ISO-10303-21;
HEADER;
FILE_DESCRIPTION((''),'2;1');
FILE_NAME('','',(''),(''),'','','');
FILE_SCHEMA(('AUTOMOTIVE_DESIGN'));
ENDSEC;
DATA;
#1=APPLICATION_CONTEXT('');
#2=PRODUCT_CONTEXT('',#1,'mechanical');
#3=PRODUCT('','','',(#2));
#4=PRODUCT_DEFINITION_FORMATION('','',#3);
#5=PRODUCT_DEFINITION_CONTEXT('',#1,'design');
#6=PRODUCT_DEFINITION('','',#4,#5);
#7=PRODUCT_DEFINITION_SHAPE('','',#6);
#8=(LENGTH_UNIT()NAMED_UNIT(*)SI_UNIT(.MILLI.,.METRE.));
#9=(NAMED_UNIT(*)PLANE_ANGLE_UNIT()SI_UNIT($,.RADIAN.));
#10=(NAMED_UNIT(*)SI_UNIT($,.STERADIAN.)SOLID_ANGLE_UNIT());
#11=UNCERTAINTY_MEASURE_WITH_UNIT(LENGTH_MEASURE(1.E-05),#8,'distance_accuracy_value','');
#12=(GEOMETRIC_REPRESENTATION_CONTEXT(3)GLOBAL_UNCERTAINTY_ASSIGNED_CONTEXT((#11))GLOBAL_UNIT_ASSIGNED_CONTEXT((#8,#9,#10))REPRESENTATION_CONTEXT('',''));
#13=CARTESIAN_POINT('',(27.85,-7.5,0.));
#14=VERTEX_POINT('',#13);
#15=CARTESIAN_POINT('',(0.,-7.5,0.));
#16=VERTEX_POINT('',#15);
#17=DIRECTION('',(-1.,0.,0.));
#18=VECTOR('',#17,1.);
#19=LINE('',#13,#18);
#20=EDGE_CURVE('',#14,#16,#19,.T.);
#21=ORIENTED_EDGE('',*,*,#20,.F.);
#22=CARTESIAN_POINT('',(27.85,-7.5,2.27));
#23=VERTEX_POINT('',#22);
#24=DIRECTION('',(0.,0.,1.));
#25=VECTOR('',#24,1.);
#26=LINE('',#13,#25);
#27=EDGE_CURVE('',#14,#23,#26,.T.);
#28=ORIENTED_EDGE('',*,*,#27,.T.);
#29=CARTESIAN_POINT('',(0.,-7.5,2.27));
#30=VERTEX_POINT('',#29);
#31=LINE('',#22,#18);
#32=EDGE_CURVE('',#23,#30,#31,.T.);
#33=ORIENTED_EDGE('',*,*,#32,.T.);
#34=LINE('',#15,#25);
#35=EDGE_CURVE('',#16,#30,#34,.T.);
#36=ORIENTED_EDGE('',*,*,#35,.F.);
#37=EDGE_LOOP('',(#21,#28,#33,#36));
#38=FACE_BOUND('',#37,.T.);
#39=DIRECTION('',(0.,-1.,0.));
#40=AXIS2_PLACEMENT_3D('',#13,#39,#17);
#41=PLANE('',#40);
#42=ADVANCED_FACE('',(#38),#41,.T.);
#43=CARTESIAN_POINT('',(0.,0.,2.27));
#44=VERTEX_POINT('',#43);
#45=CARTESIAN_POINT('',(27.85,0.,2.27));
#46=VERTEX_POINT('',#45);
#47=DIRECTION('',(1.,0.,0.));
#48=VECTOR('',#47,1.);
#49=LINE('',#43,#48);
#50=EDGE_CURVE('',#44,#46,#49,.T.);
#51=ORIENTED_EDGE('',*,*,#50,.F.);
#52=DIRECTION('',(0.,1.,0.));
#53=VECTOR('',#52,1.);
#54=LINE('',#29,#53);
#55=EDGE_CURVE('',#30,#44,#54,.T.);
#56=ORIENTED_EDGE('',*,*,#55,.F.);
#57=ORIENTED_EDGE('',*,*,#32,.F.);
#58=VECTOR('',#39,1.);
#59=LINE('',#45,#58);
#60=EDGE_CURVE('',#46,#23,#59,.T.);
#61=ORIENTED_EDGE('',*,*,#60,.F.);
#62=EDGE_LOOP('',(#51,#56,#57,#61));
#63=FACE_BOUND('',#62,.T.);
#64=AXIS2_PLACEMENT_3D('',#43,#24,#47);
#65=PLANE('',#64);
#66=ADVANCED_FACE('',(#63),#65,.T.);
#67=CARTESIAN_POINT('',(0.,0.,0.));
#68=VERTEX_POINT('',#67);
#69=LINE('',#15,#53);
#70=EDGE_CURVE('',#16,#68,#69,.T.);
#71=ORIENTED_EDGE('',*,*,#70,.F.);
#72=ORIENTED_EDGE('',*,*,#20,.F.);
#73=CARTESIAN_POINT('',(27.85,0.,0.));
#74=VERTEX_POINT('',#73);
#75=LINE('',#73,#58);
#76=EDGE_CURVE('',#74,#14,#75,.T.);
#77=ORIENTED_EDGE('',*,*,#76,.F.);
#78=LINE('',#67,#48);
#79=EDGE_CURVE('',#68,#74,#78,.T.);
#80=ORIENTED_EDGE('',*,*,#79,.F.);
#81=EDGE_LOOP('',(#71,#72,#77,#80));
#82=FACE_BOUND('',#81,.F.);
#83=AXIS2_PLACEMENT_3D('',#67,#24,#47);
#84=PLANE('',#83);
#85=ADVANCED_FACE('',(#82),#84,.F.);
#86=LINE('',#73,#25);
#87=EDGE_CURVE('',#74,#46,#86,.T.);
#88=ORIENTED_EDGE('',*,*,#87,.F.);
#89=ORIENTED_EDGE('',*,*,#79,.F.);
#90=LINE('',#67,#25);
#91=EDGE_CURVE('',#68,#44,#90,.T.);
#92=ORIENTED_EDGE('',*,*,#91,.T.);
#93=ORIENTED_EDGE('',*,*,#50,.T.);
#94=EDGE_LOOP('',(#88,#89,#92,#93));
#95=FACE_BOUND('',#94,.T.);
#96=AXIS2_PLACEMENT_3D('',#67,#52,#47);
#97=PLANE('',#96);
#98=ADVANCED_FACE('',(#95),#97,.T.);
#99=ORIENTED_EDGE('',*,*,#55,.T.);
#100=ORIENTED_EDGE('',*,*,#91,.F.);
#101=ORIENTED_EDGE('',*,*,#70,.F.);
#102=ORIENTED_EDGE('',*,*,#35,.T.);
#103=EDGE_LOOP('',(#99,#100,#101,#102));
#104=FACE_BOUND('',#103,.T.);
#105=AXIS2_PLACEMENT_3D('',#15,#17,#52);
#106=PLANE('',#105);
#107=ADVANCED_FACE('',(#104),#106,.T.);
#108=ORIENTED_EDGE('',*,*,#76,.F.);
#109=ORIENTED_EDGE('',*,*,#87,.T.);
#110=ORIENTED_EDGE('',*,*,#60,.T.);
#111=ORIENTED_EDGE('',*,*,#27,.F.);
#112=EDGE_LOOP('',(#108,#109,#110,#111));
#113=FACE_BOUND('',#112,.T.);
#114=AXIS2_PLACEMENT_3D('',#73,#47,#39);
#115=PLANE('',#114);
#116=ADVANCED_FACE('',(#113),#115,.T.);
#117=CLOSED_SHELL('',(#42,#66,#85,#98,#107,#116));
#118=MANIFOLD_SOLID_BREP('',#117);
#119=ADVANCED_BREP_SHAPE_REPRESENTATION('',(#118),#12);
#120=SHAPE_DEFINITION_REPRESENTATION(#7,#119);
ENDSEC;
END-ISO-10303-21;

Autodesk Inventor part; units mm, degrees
ref_plane "YZ Plane" through (0, 0, 0) normal (1, 0, 0) x (0, 1, 0)
ref_plane "XZ Plane" through (0, 0, 0) normal (0, 1, 0) x (-1, 0, 0)
ref_plane "XY Plane" through (0, 0, 0) normal (0, 0, 1) x (1, 0, 0)
sketch "Sketch1" plane through (0, 0, 0) normal (0, 0, 1) x (1, 0, 0)
  line L0 (0, 0) -> (27.85, 0)
  line L1 (27.85, 0) -> (27.85, -7.5)
  line L2 (27.85, -7.5) -> (0, -7.5)
  line L3 (0, -7.5) -> (0, 0)
  dimension "d0" = 27.85
  dimension "d1" = 7.5
extrude "Extrusion1" add sketch "Sketch1" along normal blind 2.27
sketch "Sketch2" plane through (0, 0, 0) normal (0, 0, -1) x (-1, 0, 0)
  line L0 (-27.85, -7.5) -> (-27.85, 0) projected
  line L1 (-27.85, -3.75) -> (0, -3.75)
  line L2 (0, 0) -> (0, -7.5) projected
  point P0 (-13.925, -3.75)
ref_plane "Work Plane1" through (27.85, -3.75, 0) normal (0, -1, 0) x (1, 0, 0)
ref_plane "Work Plane2" through (13.925, -3.75, 0) normal (-1, 0, 0) x (0, 0, 1)
